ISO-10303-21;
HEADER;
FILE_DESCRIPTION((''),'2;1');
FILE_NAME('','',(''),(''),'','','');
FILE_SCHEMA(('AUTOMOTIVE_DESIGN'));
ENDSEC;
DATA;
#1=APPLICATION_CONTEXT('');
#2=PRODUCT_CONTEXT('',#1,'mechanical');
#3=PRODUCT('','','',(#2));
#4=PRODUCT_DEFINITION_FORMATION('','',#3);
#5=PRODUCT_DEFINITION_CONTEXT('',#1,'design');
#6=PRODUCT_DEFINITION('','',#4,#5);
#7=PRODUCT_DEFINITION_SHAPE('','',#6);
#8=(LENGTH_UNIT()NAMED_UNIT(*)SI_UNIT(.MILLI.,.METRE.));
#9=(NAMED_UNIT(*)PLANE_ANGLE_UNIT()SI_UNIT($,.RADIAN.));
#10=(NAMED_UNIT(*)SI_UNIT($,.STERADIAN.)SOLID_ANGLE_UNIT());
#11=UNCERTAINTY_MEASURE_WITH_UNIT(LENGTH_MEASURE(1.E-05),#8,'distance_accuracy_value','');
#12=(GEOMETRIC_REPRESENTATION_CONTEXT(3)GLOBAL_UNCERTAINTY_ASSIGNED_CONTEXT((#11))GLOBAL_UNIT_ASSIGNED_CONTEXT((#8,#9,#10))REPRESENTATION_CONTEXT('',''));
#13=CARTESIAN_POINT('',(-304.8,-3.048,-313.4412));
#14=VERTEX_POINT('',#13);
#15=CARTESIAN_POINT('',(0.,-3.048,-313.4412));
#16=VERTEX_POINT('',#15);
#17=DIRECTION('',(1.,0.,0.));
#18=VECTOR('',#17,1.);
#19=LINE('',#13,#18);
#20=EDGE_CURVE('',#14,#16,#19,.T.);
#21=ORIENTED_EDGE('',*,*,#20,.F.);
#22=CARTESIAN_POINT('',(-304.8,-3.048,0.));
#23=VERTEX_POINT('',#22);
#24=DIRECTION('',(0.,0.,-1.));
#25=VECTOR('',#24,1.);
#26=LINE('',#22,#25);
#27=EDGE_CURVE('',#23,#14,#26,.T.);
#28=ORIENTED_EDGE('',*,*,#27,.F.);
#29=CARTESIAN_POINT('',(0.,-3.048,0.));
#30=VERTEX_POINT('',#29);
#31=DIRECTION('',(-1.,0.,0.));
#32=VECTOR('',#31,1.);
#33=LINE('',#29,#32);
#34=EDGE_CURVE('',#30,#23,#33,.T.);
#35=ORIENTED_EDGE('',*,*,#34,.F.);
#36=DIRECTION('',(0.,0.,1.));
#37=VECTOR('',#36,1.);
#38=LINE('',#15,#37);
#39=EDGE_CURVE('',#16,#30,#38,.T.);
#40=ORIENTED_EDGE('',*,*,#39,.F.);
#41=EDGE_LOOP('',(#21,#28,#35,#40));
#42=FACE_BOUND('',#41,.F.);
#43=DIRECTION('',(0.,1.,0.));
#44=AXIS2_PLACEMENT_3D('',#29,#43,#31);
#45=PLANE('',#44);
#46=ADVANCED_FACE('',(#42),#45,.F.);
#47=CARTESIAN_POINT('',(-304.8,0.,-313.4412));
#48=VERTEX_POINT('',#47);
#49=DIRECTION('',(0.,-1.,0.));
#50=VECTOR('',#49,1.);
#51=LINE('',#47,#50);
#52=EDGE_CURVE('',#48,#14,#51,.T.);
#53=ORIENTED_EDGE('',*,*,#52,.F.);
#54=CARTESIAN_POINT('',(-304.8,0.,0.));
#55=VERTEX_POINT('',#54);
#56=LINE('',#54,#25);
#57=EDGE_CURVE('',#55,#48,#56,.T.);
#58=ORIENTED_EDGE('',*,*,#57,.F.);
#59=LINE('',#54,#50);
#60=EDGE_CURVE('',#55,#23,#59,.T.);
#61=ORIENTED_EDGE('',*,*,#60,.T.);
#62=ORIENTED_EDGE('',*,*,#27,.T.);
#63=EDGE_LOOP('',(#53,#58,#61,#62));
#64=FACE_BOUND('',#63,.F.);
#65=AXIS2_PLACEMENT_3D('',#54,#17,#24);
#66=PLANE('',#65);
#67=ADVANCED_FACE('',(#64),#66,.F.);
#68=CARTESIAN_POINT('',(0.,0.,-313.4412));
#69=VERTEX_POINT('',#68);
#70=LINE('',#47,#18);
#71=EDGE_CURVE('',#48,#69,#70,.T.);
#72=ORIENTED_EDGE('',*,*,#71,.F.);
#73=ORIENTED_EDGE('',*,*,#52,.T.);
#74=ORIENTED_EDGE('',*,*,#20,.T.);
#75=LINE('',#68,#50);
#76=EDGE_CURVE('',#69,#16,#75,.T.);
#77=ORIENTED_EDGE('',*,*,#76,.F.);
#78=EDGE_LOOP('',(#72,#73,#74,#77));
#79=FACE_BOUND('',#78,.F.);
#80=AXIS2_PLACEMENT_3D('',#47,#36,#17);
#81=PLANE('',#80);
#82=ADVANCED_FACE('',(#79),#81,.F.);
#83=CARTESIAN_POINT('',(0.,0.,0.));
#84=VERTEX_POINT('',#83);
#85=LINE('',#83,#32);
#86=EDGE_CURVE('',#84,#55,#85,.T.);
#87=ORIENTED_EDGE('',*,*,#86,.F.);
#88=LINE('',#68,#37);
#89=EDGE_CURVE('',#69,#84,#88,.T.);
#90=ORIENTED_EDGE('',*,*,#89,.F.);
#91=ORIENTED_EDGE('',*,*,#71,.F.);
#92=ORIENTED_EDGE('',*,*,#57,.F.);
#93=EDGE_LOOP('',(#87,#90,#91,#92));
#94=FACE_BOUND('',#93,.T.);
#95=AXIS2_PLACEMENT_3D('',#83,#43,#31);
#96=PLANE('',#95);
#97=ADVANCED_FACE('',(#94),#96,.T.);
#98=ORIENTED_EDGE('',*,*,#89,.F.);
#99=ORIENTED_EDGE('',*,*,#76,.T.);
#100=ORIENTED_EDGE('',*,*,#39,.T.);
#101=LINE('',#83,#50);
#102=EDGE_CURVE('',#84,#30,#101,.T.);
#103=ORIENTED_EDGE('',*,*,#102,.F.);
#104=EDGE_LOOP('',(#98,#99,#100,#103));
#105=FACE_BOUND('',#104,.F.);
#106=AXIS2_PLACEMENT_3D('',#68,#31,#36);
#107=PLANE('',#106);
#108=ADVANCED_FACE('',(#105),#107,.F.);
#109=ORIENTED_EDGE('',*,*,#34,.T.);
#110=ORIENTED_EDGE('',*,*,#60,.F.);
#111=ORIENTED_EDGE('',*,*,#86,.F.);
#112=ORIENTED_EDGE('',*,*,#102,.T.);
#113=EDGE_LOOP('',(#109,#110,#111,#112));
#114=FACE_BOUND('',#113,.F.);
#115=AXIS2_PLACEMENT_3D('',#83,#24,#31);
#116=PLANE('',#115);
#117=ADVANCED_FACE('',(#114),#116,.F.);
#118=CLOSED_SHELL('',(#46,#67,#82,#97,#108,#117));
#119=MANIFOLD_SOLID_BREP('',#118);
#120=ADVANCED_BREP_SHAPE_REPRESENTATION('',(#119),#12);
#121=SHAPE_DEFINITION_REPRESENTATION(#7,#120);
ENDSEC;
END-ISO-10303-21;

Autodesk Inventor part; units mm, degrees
ref_plane "YZ Plane" through (0, 0, 0) normal (1, 0, 0) x (0, 1, 0)
ref_plane "XZ Plane" through (0, 0, 0) normal (0, 1, 0) x (-1, 0, 0)
ref_plane "XY Plane" through (0, 0, 0) normal (0, 0, 1) x (1, 0, 0)
sketch "Sketch1" plane through (0, 0, 0) normal (0, 1, 0) x (-1, 0, 0)
  line L0 (0, 0) -> (304.8, 0)
  line L1 (304.8, 0) -> (304.8, -313.4412)
  line L2 (304.8, -313.4412) -> (0, -313.4412)
  line L3 (0, -313.4412) -> (0, 0)
  point P0 (0, 0)
  dimension "d59" = 304.8
  dimension "d60" = 313.4412
extrude "Plate1" add sketch "Sketch1" against normal blind 3.048
sketch "Sketch2" plane through (0, 0, 0) normal (0, 1, 0) x (1, 0, 0)
  line L0 (-304.8, 0) -> (-304.8, 313.4412) construction
  line L1 (-304.8, 313.4412) -> (0, 313.4412) construction
  line L2 (0, 313.4412) -> (0, 0) construction
  line L3 (0, 0) -> (-304.8, 0) construction
  line L4 (0, 0) -> (0, 313.4412) projected
  line L5 (-304.8, 0) -> (0, 0) projected
  dimension "d63" = 0
  dimension "d64" = 0
equation "\"d58\" = Thickness"
equation "\"BendRadius\" = Thickness"
equation "\"BendReliefWidth\" = Thickness"
equation "\"BendReliefDepth\" = 0.5 * Thickness"
equation "\"CornerReliefSize\" = 4 * Thickness"
equation "\"MinimumRemnant\" = 2 * Thickness"
equation "\"TransitionRadius\" = BendRadius"
equation "\"JacobiRadiusSize\" = BendRadius"
equation "\"GapSize\" = Thickness"
equation "\"Thickness\" = 3.048"
properties part number "1792"
